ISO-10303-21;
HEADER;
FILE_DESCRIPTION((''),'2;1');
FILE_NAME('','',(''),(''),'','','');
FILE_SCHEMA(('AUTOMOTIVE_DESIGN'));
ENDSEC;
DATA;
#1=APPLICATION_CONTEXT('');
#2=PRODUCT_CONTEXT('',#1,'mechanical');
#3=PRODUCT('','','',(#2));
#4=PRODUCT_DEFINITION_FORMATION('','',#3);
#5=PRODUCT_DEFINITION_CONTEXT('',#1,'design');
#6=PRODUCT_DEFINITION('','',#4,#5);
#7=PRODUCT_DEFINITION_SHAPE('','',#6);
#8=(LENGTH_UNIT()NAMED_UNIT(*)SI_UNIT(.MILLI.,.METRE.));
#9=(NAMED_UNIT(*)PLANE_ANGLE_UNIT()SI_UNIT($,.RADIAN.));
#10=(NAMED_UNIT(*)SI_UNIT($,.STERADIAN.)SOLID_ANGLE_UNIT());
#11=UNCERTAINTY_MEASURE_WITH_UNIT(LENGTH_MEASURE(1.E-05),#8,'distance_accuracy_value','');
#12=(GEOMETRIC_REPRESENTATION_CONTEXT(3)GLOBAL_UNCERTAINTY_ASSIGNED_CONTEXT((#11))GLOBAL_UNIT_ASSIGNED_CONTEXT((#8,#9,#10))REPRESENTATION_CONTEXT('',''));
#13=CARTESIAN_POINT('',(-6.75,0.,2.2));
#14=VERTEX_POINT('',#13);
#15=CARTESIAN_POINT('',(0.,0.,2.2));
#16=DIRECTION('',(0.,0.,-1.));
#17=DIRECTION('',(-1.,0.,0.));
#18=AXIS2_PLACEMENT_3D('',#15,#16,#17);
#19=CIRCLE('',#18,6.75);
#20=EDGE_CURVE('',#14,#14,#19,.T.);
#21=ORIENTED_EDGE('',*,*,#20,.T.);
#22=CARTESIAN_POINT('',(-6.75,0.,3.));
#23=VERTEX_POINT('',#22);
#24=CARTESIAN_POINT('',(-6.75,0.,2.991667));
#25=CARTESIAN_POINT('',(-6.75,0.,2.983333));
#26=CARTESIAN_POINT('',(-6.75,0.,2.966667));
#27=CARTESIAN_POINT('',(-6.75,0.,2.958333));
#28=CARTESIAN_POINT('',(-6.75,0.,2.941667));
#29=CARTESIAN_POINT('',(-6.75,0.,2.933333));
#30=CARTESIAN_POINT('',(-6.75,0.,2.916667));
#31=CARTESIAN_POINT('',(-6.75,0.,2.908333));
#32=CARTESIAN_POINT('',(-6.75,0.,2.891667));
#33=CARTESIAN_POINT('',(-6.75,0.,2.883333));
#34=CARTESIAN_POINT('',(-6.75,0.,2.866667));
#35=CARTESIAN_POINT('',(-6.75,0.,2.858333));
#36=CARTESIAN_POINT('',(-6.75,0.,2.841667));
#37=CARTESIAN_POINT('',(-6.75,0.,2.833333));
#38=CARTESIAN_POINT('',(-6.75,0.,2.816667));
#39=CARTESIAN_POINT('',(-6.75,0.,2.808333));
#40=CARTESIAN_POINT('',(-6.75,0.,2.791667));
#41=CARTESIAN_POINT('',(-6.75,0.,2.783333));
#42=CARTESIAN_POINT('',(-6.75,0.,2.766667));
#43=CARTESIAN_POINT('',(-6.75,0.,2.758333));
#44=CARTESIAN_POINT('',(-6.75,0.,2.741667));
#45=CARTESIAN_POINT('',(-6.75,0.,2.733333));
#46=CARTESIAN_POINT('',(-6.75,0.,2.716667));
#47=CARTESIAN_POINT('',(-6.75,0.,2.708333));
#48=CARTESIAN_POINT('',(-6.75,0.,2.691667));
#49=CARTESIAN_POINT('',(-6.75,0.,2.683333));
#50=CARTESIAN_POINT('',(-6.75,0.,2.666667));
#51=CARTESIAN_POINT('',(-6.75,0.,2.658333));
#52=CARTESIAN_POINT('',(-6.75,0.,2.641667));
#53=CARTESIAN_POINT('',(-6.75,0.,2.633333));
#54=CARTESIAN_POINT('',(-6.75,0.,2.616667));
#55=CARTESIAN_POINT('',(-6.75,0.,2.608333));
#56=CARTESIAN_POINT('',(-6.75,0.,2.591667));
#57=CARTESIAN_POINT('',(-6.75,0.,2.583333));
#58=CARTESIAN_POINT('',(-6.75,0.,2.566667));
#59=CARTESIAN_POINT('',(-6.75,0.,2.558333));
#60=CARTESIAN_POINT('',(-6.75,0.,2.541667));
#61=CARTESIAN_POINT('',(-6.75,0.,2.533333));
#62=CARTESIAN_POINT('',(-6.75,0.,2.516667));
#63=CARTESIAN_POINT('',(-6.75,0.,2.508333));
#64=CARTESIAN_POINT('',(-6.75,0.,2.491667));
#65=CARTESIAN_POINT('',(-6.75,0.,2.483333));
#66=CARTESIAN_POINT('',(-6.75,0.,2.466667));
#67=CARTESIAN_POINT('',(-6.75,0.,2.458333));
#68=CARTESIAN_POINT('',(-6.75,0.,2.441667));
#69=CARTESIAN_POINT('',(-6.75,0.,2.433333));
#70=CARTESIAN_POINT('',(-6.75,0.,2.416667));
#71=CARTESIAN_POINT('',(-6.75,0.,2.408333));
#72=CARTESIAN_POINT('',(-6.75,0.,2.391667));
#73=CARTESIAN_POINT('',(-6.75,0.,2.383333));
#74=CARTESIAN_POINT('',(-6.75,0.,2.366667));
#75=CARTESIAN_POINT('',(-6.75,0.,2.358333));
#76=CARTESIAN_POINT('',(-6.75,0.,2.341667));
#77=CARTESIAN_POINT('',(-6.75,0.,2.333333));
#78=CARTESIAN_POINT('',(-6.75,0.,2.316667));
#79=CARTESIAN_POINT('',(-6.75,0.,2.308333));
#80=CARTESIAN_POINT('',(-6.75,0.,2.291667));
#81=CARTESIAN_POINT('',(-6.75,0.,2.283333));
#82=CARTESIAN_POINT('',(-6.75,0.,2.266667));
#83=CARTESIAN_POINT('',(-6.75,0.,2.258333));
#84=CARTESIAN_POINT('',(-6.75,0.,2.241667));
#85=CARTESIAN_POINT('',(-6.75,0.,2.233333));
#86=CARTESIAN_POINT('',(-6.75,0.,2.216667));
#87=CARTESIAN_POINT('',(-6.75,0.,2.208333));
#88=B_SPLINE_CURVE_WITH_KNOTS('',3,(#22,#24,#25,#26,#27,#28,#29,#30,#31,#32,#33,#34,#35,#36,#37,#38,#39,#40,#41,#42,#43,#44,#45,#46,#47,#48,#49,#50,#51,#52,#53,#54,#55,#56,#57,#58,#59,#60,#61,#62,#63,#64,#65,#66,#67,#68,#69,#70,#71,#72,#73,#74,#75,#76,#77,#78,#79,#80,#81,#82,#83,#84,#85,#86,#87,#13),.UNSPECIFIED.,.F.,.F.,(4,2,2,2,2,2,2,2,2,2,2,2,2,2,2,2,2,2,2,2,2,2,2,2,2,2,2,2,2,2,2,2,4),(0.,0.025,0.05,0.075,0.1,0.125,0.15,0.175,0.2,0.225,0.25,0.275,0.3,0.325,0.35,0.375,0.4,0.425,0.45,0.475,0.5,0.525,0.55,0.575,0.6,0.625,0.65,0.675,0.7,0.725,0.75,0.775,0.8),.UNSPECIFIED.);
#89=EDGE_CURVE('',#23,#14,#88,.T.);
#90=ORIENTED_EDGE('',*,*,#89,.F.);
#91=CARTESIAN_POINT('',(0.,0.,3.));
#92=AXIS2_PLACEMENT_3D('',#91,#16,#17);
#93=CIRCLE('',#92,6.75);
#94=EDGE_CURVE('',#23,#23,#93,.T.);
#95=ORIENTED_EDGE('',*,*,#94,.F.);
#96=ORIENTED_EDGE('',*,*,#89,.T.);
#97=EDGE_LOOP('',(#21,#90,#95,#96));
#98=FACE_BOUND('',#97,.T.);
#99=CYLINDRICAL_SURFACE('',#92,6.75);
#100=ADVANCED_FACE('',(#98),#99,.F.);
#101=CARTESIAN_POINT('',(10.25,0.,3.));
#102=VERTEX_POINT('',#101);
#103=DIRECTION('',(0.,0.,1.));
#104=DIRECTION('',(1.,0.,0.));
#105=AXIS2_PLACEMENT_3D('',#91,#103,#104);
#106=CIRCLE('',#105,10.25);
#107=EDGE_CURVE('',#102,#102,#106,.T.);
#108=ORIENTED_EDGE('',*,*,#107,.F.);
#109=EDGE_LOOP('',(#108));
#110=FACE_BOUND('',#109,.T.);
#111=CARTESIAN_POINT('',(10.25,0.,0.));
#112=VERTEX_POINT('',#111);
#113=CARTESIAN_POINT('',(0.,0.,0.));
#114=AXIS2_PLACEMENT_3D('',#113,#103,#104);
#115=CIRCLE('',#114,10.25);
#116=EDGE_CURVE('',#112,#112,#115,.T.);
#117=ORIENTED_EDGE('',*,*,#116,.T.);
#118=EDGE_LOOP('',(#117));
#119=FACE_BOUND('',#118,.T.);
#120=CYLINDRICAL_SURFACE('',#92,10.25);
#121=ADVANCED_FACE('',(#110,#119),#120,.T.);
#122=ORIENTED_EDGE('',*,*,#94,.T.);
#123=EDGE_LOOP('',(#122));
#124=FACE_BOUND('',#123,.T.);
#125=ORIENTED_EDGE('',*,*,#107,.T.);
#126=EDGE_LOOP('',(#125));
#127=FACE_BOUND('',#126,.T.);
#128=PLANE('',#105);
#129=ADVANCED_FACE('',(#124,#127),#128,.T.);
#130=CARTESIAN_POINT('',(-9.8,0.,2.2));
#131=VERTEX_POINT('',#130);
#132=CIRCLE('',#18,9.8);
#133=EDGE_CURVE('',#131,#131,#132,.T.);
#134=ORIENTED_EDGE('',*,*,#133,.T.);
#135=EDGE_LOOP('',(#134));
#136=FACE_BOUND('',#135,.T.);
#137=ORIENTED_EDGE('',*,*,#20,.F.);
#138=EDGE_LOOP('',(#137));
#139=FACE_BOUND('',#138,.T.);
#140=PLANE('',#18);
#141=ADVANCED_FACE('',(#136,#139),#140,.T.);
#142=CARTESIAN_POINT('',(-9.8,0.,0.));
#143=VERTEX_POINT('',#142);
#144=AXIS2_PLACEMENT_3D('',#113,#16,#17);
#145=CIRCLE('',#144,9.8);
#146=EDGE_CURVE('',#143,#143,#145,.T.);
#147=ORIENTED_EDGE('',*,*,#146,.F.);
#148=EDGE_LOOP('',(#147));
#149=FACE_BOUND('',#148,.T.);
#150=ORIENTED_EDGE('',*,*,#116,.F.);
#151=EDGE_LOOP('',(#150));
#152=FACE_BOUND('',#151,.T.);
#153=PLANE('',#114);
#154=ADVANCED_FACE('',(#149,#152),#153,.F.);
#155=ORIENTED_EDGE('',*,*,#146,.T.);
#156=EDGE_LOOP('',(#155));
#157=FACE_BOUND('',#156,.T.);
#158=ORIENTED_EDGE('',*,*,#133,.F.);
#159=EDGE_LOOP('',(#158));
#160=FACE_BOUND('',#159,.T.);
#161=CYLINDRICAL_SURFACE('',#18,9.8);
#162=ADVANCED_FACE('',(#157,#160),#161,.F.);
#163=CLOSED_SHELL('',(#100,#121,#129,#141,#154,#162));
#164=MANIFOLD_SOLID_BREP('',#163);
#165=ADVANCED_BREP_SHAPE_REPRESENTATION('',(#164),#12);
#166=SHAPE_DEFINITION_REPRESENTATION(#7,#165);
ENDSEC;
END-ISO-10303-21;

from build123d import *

# Parameters (mm, degrees)
ESBO_O1_R                = 10.25
RESSALTO_EXTRUS_O1_DEPTH = 3
ESBO_O2_R                = 9.8
CORTE_EXTRUS_O1_DEPTH    = 2.2
ESBO_O3_R                = 6.75
CORTE_EXTRUS_O2_DEPTH    = 15.66168476


with BuildPart() as part:
    # Esboço1 → Ressalto-extrusão1 (new body)
    with BuildSketch(Plane.XY):
        Circle(ESBO_O1_R)
    extrude(amount=RESSALTO_EXTRUS_O1_DEPTH)

    # Esboço2 → Corte-extrusão1 (cut)
    with BuildSketch(Plane(origin=(0, 0, 0), x_dir=(-1, 0, 0), z_dir=(0, 0, -1))):
        Circle(ESBO_O2_R)
    extrude(amount=-CORTE_EXTRUS_O1_DEPTH, mode=Mode.SUBTRACT)

    # Esboço3 → Corte-extrusão2 (cut, through all)
    with BuildSketch(Plane(origin=(0, 0, 2.2), x_dir=(-1, 0, 0), z_dir=(0, 0, -1))):
        Circle(ESBO_O3_R)
    extrude(amount=-CORTE_EXTRUS_O2_DEPTH, mode=Mode.SUBTRACT)


solid = part.part
